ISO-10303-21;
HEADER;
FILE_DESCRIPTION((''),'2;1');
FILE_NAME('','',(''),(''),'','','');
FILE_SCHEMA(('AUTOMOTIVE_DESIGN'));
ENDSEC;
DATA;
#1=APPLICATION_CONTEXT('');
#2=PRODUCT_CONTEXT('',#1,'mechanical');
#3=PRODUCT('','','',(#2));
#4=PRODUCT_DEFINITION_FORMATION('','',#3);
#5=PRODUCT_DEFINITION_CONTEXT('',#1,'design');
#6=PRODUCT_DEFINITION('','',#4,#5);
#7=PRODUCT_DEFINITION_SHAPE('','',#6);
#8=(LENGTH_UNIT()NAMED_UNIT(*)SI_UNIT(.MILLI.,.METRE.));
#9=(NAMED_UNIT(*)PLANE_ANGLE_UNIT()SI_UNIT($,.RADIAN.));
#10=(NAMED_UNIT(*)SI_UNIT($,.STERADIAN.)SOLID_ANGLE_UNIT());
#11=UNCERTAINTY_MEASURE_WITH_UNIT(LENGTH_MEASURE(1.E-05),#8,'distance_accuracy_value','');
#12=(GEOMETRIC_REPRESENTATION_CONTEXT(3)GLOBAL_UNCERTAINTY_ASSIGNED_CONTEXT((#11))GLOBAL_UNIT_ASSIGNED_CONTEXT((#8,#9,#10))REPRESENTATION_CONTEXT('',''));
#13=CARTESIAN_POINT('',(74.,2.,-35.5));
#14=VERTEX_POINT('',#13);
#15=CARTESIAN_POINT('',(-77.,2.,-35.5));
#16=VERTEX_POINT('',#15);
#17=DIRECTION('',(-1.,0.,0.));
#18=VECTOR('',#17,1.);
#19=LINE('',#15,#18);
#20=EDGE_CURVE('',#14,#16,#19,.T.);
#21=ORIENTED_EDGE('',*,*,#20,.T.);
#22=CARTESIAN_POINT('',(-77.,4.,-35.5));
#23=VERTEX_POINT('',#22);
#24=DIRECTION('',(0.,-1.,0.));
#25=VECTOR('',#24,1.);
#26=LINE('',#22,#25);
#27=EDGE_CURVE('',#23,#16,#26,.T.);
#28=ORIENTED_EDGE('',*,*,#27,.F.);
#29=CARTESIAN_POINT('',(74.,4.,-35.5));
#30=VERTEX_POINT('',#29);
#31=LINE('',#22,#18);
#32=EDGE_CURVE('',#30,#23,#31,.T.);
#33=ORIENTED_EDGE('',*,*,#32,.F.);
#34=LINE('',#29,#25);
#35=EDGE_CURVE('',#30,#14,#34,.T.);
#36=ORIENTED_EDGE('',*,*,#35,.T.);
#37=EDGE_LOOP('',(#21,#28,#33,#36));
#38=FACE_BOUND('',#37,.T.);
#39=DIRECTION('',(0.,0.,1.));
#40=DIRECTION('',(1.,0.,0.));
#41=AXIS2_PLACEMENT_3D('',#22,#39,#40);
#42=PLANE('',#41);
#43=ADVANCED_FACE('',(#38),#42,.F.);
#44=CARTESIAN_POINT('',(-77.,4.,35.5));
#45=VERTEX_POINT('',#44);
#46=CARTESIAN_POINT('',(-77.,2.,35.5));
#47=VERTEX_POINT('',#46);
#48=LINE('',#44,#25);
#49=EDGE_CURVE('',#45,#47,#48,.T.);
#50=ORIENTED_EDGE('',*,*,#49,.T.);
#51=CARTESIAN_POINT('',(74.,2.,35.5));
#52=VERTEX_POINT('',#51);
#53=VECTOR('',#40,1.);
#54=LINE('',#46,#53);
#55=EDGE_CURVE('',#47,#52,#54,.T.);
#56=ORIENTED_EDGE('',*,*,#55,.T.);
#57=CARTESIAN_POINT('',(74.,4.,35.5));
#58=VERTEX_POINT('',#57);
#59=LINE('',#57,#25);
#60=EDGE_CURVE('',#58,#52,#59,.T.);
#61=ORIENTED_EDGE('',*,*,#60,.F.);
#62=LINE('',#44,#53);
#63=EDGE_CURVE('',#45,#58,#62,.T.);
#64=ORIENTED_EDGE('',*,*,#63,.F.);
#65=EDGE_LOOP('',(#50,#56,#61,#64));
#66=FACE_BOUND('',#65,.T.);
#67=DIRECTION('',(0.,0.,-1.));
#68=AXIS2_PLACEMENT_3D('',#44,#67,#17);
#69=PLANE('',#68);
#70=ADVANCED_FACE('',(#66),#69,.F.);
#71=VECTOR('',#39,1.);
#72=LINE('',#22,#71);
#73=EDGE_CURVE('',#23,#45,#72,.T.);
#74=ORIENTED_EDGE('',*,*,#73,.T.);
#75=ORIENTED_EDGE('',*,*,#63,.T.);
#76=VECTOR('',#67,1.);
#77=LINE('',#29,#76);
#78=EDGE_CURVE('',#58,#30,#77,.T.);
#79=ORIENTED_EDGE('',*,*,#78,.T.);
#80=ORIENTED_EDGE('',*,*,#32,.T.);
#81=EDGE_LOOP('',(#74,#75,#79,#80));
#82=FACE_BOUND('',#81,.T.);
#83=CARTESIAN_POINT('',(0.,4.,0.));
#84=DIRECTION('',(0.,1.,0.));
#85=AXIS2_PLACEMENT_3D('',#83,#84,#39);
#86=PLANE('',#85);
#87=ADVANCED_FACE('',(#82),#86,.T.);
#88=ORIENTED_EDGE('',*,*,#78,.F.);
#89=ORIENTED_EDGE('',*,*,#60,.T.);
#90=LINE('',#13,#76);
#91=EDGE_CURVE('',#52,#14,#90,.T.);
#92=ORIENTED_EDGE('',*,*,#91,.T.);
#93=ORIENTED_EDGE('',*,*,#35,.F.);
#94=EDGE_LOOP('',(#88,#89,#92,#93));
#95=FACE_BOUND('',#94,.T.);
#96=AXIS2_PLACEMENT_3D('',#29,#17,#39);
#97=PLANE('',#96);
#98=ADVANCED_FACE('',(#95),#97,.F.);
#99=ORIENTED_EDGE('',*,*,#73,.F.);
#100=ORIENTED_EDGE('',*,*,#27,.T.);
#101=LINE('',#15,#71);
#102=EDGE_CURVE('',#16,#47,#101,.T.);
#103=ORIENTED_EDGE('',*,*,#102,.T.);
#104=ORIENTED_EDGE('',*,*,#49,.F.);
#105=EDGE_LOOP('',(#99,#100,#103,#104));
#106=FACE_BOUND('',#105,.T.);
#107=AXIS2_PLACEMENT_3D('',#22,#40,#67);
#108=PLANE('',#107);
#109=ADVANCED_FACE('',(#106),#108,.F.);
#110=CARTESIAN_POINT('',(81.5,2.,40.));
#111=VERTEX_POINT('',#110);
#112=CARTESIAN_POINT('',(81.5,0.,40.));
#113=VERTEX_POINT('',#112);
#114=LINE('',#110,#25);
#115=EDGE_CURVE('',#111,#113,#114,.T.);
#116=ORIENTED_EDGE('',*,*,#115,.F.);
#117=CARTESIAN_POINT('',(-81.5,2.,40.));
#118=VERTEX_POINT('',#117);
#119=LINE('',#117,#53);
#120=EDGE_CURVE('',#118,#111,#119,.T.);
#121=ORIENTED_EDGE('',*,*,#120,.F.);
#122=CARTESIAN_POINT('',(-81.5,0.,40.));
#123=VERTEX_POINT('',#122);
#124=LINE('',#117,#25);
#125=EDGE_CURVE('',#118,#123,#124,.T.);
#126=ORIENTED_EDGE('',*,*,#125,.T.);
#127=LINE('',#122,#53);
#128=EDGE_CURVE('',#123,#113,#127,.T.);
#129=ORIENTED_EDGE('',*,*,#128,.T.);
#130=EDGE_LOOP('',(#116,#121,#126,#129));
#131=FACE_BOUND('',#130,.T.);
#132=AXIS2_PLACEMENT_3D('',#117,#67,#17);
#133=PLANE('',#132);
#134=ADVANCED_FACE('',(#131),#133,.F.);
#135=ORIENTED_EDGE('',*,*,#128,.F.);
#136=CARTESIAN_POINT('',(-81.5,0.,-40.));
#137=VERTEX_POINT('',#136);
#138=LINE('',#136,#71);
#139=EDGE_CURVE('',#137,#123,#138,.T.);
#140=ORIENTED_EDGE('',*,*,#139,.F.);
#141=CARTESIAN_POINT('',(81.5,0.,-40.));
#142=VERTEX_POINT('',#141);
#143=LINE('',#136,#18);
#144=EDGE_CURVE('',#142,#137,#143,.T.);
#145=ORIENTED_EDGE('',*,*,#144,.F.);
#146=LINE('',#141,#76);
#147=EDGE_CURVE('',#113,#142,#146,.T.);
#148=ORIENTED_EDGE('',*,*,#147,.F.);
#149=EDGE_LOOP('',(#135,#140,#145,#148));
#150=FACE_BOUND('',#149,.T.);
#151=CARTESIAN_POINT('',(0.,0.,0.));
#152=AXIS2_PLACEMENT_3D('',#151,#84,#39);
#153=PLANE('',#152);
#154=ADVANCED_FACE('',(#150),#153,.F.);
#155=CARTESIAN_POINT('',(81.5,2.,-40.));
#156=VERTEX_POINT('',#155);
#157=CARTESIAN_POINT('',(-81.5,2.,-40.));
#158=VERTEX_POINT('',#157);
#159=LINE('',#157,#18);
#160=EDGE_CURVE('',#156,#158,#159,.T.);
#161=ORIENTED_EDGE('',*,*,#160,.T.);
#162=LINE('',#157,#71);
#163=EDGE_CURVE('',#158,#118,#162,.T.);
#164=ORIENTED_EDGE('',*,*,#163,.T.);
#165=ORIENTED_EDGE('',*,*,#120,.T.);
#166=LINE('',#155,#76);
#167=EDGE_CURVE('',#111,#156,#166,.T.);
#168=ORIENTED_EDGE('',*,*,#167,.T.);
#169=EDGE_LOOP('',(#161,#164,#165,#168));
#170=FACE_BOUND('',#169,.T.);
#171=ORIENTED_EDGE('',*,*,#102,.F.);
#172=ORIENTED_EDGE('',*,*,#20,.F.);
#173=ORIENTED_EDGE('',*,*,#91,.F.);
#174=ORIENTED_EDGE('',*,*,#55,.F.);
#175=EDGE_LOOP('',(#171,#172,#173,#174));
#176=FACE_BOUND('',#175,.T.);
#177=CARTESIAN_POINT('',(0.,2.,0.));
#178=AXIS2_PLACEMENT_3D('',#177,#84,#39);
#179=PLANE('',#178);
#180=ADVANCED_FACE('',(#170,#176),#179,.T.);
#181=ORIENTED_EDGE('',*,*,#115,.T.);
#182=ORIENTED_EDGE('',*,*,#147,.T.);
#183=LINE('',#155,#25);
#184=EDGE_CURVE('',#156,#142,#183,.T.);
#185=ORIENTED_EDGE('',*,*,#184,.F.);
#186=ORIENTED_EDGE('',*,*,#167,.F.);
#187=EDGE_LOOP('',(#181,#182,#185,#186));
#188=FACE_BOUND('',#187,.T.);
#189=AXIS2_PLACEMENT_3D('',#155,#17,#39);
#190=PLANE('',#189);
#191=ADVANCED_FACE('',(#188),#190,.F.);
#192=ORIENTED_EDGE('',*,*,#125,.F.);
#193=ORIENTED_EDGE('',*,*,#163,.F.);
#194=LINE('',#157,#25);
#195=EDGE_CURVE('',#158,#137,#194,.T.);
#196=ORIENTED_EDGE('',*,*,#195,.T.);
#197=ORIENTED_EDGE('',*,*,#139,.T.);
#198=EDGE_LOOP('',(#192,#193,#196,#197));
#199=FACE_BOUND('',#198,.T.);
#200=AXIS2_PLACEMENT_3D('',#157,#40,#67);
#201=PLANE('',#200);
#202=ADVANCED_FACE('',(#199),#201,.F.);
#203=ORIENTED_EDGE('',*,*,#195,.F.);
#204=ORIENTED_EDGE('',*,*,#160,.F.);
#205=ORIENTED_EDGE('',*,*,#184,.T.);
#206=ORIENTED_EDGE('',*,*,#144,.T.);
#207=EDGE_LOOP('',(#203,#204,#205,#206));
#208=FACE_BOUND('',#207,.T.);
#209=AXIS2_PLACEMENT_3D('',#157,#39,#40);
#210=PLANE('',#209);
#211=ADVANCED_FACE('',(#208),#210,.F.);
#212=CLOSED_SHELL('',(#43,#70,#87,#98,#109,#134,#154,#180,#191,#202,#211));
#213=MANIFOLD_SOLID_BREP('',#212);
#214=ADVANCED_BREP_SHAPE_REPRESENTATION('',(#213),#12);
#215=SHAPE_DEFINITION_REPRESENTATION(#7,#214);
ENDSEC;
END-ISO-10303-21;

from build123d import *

# Parameters (mm, degrees)
IZIM1_W                     = 163
IZIM1_H                     = 80
Y_KSEKLIK_EKSTR_ZYON1_DEPTH = 2
IZIM2_W                     = 151
IZIM2_H                     = 71
Y_KSEKLIK_EKSTR_ZYON2_DEPTH = 2


with BuildPart() as part:
    # Çizim1 → Yükseklik-Ekstrüzyon1 (new body)
    with BuildSketch(Plane(origin=(0, 0, 0), x_dir=(1, 0, 0), z_dir=(0, 1, 0))):
        Rectangle(IZIM1_W, IZIM1_H)
    extrude(amount=Y_KSEKLIK_EKSTR_ZYON1_DEPTH)

    # Çizim2 → Yükseklik-Ekstrüzyon2 (add)
    with BuildSketch(Plane(origin=(0, 2, 0), x_dir=(1, 0, 0), z_dir=(0, 1, 0))):
        with Locations((-1.5, 0)):
            Rectangle(IZIM2_W, IZIM2_H)
    extrude(amount=Y_KSEKLIK_EKSTR_ZYON2_DEPTH)


solid = part.part
